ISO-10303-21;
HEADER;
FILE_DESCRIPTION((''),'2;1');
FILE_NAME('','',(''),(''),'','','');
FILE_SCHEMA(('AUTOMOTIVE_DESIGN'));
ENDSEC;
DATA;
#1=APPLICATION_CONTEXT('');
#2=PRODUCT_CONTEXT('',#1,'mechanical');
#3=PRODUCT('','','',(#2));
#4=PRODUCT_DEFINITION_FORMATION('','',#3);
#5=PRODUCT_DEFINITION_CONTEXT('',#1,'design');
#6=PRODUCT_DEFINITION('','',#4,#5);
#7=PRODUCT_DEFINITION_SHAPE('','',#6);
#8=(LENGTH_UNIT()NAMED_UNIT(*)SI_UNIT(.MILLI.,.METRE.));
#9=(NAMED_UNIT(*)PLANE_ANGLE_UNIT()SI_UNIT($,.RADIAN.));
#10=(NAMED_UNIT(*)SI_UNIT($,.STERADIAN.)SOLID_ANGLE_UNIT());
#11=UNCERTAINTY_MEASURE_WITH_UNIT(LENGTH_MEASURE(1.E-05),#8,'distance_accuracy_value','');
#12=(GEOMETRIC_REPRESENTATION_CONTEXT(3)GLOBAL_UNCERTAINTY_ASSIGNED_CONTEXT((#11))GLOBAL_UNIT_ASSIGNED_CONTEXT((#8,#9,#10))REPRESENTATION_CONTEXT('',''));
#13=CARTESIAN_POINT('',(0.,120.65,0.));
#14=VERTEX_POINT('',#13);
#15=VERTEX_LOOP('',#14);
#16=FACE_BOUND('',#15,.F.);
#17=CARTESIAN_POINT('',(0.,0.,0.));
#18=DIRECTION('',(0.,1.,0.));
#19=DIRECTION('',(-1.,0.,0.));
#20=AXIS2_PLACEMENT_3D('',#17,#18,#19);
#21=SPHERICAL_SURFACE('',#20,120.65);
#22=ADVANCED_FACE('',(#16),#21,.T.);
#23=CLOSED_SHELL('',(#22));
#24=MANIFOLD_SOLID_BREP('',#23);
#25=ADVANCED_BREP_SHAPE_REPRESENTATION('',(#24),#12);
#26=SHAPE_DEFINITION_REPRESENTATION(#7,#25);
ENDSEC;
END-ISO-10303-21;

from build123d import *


with BuildPart() as part:
    # Sketch1 → Revolve1 (revolve)
    with BuildSketch(Plane.XY):
        with BuildLine():
            Line((0, 120.65), (0, -120.65))
            ThreePointArc((0, -120.65), (-120.65, 0), (0, 120.65))
        make_face()
    revolve(axis=Axis((0, 120.65, 0), (0, -1, 0)))


solid = part.part
